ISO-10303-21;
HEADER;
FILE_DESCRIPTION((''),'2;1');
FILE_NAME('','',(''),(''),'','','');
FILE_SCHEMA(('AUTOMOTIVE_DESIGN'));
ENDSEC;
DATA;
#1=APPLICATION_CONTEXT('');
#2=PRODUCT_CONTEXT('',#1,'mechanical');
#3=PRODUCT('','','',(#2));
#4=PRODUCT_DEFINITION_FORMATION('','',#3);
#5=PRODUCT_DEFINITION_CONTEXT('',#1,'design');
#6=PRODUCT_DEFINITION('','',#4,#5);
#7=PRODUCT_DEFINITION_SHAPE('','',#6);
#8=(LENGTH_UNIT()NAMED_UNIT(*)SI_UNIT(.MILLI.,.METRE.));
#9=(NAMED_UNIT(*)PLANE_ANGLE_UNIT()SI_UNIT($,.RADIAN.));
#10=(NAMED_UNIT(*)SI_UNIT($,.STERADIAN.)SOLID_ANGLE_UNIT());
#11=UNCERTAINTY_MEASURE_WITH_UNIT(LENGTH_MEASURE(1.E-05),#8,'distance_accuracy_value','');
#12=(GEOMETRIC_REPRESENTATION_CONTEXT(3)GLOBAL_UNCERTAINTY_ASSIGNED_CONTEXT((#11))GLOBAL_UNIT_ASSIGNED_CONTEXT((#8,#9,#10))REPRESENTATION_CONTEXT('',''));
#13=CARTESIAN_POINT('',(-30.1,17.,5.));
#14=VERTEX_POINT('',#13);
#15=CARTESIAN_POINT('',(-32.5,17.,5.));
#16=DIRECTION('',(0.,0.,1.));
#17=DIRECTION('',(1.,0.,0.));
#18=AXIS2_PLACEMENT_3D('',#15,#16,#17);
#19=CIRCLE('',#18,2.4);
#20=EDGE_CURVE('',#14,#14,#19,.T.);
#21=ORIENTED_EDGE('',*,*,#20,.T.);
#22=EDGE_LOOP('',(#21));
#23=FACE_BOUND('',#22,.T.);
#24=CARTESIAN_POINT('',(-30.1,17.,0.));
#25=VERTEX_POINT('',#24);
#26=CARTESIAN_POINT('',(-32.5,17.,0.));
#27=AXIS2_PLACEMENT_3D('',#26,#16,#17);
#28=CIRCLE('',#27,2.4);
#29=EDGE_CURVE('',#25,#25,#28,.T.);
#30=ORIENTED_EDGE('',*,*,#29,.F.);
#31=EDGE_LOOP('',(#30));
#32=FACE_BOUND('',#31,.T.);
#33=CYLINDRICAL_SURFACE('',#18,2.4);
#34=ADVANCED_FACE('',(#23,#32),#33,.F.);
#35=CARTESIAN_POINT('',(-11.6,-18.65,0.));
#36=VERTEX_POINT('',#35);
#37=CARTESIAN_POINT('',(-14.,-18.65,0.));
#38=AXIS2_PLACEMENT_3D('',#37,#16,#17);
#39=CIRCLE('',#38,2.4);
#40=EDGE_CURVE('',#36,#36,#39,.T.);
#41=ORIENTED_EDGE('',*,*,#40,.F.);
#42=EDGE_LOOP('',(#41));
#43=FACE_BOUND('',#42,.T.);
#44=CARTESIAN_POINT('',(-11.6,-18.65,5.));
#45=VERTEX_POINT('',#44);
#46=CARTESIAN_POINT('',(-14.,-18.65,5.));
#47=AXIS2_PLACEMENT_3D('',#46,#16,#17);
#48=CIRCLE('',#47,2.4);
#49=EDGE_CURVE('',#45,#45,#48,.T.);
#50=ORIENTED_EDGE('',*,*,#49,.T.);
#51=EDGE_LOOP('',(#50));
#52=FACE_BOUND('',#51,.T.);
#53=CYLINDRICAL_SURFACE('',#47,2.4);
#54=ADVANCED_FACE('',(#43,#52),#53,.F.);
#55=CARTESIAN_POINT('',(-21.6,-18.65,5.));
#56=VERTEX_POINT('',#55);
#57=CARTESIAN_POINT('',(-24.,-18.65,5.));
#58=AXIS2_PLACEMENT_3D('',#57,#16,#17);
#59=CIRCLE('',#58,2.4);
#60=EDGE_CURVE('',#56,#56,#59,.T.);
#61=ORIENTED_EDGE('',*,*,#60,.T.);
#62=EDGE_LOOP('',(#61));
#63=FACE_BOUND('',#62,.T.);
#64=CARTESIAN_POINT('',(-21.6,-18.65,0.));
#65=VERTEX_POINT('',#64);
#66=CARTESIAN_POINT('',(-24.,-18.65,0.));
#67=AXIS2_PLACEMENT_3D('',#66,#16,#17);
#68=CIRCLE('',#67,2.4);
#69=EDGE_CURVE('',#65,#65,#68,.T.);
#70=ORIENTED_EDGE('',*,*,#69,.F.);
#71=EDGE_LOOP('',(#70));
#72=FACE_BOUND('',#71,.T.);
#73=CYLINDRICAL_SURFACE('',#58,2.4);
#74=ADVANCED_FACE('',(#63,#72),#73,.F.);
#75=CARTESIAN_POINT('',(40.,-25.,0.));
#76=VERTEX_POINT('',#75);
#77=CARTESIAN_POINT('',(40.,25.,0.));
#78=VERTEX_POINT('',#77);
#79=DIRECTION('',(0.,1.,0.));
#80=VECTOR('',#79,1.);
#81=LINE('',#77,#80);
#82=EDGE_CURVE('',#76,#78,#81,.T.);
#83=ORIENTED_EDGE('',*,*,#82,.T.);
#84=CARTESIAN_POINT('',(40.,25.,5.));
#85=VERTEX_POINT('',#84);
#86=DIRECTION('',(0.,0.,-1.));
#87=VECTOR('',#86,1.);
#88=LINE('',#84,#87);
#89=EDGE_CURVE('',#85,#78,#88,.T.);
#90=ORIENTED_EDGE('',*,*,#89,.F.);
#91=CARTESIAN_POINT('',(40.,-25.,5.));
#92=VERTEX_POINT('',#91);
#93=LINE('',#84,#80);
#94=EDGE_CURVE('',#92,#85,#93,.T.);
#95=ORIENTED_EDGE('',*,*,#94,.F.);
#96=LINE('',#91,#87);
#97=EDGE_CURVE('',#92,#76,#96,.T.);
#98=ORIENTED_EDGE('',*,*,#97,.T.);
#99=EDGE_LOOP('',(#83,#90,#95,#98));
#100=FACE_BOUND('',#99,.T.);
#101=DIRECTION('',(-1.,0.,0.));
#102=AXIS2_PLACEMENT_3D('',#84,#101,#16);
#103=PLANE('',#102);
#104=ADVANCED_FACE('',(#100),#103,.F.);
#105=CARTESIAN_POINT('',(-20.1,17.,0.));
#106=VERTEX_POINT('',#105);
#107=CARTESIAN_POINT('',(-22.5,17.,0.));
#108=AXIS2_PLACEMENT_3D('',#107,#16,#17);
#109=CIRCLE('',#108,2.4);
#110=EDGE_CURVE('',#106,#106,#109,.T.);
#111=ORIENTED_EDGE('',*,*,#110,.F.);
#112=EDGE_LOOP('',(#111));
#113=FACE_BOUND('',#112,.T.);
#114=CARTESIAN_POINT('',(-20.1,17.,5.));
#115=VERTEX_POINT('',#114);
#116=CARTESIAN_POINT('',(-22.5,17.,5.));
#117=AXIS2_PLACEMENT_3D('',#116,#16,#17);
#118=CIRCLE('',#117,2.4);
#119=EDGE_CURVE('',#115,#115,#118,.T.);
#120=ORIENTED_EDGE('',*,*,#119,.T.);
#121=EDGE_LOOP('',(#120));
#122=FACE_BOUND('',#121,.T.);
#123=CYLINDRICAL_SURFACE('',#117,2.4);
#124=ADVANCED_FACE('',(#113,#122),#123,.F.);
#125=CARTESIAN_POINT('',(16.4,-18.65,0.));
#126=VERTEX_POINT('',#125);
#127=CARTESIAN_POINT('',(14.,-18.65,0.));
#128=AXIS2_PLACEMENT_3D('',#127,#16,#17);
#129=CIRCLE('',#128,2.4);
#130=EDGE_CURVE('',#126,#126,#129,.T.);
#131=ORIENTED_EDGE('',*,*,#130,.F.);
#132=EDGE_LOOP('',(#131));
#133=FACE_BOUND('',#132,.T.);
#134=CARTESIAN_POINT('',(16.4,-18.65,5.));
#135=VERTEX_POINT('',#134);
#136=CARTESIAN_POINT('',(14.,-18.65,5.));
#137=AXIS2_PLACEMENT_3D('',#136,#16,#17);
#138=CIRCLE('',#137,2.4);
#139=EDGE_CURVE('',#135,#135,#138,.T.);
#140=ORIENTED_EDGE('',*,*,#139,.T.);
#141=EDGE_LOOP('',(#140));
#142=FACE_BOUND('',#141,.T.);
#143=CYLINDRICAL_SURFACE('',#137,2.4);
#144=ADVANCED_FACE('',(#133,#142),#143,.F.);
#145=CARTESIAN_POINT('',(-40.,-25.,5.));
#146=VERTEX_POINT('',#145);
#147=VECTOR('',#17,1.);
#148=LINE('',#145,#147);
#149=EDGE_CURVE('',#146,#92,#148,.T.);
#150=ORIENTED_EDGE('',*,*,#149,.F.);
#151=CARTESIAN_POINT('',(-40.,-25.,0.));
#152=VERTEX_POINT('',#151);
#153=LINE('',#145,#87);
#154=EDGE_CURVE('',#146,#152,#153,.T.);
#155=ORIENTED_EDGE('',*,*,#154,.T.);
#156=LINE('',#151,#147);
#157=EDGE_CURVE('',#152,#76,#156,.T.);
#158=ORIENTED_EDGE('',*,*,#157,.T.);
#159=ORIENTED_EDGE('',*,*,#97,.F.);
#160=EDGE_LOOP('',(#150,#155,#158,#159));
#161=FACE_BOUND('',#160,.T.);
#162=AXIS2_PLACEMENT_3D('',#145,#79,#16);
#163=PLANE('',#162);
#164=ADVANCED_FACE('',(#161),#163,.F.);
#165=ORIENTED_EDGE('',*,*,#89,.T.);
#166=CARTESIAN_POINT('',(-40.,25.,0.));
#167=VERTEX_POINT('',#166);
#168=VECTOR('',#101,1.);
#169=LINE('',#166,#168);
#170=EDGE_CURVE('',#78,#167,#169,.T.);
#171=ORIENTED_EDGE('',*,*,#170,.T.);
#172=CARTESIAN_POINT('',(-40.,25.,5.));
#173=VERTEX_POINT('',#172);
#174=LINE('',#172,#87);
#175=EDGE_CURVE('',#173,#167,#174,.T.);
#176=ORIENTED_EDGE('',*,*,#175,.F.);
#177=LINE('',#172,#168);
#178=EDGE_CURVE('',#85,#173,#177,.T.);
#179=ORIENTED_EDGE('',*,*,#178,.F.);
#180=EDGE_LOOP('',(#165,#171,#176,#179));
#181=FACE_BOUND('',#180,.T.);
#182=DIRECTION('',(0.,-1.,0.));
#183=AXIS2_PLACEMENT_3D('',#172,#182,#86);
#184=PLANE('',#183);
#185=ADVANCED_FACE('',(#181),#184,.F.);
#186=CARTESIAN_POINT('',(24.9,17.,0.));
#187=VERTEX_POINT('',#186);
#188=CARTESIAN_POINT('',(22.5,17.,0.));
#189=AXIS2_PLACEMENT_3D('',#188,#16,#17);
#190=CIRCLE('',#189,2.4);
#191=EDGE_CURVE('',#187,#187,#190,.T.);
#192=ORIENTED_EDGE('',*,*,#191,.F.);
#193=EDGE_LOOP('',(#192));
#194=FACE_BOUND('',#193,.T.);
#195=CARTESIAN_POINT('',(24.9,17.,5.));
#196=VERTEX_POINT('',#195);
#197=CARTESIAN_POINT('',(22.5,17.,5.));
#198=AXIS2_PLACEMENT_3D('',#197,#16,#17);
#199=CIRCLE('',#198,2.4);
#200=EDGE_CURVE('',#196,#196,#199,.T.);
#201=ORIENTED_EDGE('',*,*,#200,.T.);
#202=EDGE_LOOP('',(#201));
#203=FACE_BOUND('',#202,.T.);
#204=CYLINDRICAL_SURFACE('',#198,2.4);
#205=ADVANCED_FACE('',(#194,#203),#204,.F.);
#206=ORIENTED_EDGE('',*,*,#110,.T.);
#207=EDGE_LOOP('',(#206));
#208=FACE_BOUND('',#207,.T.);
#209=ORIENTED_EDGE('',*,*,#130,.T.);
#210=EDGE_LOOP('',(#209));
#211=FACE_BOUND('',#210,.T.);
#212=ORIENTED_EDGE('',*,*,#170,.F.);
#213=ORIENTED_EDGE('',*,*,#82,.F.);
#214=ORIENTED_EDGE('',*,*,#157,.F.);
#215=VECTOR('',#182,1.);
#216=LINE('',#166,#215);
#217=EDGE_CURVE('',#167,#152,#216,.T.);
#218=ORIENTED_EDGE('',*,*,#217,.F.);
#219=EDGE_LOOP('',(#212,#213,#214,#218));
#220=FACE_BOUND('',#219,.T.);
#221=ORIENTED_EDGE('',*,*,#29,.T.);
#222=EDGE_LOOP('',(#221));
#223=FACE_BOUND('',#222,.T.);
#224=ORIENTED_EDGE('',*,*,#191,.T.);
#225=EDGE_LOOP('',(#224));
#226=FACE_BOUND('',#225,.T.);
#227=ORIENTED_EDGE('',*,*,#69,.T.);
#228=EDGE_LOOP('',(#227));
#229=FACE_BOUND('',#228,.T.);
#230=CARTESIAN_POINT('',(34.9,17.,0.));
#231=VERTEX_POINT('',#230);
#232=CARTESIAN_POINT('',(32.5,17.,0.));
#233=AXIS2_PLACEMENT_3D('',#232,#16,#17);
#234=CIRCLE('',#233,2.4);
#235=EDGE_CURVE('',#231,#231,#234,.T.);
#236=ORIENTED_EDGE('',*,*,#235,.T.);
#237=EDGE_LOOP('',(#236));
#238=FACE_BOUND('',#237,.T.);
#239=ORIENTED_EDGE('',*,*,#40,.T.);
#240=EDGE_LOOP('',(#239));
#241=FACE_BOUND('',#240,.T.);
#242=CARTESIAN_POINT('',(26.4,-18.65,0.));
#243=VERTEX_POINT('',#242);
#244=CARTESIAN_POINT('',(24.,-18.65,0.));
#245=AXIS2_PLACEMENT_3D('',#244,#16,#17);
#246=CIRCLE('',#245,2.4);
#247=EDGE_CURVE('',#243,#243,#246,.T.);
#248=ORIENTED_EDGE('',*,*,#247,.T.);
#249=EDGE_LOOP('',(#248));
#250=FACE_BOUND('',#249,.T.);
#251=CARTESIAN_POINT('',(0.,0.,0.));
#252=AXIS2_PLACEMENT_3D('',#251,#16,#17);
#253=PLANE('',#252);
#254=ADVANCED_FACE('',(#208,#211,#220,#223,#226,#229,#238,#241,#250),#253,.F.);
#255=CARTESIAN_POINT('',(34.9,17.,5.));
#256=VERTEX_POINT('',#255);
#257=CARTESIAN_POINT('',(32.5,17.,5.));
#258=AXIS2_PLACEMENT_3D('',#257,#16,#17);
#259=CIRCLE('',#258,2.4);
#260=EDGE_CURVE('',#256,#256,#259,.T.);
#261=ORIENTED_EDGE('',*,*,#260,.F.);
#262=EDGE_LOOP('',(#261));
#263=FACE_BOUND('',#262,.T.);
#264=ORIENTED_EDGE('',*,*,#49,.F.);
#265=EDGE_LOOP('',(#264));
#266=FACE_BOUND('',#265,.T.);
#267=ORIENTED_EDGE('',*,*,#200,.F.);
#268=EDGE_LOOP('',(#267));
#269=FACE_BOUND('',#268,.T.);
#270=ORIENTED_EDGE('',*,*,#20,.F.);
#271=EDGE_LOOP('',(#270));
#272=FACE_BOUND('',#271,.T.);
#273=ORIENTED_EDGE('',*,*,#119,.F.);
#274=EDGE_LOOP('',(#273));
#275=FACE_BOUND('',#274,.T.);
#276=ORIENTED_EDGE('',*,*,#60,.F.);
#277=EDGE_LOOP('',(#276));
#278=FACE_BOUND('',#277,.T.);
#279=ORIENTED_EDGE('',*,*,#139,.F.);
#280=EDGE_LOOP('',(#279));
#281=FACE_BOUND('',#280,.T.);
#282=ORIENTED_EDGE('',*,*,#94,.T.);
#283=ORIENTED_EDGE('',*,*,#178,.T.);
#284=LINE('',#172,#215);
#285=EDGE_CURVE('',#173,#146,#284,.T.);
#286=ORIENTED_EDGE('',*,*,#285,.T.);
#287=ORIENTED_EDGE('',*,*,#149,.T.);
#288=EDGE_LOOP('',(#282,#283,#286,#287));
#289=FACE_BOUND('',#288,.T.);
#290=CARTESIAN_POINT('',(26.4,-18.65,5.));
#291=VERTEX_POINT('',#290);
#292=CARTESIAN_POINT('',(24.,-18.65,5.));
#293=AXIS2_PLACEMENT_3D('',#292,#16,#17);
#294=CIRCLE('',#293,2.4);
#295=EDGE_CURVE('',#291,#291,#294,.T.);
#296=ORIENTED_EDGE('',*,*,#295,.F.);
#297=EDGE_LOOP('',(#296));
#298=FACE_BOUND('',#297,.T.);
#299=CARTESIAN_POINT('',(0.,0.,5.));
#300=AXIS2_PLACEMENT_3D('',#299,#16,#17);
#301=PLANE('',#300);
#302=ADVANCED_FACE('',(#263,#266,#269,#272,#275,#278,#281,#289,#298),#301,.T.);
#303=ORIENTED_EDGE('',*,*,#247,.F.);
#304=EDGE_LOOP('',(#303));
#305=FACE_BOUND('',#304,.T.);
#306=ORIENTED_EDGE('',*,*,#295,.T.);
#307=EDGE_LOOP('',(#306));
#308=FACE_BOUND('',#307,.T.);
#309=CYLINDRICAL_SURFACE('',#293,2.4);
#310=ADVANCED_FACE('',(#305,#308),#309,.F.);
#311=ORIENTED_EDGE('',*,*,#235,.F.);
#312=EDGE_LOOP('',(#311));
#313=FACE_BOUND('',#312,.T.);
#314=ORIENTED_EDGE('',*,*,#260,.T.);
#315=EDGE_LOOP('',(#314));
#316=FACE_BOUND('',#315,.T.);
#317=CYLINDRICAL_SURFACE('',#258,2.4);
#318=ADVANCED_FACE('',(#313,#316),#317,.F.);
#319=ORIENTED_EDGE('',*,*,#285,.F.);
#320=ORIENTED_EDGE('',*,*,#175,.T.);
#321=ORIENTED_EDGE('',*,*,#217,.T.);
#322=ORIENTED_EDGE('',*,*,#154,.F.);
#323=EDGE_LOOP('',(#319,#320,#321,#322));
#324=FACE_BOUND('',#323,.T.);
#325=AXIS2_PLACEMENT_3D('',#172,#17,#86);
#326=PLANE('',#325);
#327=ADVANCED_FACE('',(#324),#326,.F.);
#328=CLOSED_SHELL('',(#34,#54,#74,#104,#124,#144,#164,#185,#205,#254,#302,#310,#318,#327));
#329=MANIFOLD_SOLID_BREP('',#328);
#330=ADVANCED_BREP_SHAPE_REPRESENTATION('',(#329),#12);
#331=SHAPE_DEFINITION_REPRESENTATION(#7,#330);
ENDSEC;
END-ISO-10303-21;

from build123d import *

# Parameters (mm, degrees)
SKETCH1_W            = 80
SKETCH1_H            = 50
BOSS_EXTRUDE1_DEPTH  = 5
M4_CLEARANCE_HOLE1_D = 4.8


with BuildPart() as part:
    # Sketch1 → Boss-Extrude1 (new body)
    with BuildSketch(Plane.XY):
        Rectangle(SKETCH1_W, SKETCH1_H)
    extrude(amount=BOSS_EXTRUDE1_DEPTH)

    # M4 Clearance Hole1 (through all)
    with Locations(Plane.XY.offset(5)):
        with Locations((-32.5, 17.0000001), (-22.5, 17.0000001), (-24, -18.65), (-14, -18.65), (14, -18.65), (24, -18.65), (22.5, 17.0000001), (32.5, 17.0000001)):
            Hole(M4_CLEARANCE_HOLE1_D / 2)


solid = part.part
